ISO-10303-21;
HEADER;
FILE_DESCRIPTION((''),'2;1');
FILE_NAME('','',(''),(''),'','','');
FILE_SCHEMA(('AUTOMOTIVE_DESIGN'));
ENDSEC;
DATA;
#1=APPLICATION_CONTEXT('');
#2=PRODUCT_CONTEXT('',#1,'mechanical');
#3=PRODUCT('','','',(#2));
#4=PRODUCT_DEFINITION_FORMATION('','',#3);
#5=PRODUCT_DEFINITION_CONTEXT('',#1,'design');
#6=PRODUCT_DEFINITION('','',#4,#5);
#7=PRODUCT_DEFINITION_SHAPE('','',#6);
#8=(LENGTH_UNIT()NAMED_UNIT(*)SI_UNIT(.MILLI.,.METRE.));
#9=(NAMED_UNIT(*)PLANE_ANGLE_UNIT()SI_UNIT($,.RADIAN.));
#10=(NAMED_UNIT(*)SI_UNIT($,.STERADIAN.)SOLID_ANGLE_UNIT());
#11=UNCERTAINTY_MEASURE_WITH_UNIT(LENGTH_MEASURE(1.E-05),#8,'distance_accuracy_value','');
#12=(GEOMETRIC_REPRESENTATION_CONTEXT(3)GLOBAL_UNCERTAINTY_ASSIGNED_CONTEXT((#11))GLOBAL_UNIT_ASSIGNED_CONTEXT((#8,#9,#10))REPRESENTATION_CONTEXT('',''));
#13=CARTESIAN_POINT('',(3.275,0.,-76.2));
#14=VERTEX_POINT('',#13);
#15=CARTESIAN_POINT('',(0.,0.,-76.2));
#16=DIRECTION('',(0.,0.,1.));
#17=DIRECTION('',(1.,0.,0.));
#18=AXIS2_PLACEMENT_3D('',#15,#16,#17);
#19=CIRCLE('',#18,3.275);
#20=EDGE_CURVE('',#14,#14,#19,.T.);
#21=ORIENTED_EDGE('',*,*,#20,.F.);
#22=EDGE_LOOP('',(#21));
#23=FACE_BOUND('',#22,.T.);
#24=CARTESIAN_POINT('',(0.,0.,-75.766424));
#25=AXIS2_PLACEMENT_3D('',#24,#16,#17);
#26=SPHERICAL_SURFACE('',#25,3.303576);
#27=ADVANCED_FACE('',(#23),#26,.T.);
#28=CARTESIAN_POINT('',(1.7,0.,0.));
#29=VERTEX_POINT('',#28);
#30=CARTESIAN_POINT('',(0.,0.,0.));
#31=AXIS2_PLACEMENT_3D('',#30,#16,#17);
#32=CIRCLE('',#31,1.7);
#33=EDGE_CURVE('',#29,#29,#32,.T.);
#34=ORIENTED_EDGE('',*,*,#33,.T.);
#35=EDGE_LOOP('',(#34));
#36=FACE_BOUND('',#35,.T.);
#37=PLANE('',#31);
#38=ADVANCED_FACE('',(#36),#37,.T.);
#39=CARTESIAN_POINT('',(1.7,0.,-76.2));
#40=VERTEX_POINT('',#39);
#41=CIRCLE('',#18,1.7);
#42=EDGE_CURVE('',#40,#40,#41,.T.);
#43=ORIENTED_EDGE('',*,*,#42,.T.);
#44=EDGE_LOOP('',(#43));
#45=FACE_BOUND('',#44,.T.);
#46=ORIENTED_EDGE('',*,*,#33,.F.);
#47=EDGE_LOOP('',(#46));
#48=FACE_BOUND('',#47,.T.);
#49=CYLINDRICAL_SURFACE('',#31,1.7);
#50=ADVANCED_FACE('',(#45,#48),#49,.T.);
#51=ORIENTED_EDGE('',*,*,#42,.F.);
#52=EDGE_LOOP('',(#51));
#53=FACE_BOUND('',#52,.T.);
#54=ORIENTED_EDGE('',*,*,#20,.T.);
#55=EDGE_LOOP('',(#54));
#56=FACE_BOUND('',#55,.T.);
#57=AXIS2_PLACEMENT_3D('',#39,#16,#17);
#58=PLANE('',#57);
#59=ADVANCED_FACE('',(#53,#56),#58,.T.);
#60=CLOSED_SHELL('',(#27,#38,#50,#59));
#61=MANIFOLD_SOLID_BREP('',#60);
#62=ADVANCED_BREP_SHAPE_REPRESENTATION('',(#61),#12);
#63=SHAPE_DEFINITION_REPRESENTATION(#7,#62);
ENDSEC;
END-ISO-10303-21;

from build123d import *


with BuildPart() as part:
    # Sketch1 → Revolve1 (revolve)
    with BuildSketch(Plane(origin=(0, 0, 0), x_dir=(1, 0, 0), z_dir=(0, 1, 0))):
        with BuildLine():
            Line((0, 0), (0, 79.07))
            ThreePointArc((0, 79.07), (2.177299072, 78.250972809), (3.275, 76.2))
            Line((3.275, 76.2), (1.7, 76.2))
            Line((1.7, 76.2), (1.7, 0))
            Line((1.7, 0), (0, 0))
        make_face()
    revolve(axis=Axis((0, 0, 0), (0, 0, -1)))


solid = part.part
